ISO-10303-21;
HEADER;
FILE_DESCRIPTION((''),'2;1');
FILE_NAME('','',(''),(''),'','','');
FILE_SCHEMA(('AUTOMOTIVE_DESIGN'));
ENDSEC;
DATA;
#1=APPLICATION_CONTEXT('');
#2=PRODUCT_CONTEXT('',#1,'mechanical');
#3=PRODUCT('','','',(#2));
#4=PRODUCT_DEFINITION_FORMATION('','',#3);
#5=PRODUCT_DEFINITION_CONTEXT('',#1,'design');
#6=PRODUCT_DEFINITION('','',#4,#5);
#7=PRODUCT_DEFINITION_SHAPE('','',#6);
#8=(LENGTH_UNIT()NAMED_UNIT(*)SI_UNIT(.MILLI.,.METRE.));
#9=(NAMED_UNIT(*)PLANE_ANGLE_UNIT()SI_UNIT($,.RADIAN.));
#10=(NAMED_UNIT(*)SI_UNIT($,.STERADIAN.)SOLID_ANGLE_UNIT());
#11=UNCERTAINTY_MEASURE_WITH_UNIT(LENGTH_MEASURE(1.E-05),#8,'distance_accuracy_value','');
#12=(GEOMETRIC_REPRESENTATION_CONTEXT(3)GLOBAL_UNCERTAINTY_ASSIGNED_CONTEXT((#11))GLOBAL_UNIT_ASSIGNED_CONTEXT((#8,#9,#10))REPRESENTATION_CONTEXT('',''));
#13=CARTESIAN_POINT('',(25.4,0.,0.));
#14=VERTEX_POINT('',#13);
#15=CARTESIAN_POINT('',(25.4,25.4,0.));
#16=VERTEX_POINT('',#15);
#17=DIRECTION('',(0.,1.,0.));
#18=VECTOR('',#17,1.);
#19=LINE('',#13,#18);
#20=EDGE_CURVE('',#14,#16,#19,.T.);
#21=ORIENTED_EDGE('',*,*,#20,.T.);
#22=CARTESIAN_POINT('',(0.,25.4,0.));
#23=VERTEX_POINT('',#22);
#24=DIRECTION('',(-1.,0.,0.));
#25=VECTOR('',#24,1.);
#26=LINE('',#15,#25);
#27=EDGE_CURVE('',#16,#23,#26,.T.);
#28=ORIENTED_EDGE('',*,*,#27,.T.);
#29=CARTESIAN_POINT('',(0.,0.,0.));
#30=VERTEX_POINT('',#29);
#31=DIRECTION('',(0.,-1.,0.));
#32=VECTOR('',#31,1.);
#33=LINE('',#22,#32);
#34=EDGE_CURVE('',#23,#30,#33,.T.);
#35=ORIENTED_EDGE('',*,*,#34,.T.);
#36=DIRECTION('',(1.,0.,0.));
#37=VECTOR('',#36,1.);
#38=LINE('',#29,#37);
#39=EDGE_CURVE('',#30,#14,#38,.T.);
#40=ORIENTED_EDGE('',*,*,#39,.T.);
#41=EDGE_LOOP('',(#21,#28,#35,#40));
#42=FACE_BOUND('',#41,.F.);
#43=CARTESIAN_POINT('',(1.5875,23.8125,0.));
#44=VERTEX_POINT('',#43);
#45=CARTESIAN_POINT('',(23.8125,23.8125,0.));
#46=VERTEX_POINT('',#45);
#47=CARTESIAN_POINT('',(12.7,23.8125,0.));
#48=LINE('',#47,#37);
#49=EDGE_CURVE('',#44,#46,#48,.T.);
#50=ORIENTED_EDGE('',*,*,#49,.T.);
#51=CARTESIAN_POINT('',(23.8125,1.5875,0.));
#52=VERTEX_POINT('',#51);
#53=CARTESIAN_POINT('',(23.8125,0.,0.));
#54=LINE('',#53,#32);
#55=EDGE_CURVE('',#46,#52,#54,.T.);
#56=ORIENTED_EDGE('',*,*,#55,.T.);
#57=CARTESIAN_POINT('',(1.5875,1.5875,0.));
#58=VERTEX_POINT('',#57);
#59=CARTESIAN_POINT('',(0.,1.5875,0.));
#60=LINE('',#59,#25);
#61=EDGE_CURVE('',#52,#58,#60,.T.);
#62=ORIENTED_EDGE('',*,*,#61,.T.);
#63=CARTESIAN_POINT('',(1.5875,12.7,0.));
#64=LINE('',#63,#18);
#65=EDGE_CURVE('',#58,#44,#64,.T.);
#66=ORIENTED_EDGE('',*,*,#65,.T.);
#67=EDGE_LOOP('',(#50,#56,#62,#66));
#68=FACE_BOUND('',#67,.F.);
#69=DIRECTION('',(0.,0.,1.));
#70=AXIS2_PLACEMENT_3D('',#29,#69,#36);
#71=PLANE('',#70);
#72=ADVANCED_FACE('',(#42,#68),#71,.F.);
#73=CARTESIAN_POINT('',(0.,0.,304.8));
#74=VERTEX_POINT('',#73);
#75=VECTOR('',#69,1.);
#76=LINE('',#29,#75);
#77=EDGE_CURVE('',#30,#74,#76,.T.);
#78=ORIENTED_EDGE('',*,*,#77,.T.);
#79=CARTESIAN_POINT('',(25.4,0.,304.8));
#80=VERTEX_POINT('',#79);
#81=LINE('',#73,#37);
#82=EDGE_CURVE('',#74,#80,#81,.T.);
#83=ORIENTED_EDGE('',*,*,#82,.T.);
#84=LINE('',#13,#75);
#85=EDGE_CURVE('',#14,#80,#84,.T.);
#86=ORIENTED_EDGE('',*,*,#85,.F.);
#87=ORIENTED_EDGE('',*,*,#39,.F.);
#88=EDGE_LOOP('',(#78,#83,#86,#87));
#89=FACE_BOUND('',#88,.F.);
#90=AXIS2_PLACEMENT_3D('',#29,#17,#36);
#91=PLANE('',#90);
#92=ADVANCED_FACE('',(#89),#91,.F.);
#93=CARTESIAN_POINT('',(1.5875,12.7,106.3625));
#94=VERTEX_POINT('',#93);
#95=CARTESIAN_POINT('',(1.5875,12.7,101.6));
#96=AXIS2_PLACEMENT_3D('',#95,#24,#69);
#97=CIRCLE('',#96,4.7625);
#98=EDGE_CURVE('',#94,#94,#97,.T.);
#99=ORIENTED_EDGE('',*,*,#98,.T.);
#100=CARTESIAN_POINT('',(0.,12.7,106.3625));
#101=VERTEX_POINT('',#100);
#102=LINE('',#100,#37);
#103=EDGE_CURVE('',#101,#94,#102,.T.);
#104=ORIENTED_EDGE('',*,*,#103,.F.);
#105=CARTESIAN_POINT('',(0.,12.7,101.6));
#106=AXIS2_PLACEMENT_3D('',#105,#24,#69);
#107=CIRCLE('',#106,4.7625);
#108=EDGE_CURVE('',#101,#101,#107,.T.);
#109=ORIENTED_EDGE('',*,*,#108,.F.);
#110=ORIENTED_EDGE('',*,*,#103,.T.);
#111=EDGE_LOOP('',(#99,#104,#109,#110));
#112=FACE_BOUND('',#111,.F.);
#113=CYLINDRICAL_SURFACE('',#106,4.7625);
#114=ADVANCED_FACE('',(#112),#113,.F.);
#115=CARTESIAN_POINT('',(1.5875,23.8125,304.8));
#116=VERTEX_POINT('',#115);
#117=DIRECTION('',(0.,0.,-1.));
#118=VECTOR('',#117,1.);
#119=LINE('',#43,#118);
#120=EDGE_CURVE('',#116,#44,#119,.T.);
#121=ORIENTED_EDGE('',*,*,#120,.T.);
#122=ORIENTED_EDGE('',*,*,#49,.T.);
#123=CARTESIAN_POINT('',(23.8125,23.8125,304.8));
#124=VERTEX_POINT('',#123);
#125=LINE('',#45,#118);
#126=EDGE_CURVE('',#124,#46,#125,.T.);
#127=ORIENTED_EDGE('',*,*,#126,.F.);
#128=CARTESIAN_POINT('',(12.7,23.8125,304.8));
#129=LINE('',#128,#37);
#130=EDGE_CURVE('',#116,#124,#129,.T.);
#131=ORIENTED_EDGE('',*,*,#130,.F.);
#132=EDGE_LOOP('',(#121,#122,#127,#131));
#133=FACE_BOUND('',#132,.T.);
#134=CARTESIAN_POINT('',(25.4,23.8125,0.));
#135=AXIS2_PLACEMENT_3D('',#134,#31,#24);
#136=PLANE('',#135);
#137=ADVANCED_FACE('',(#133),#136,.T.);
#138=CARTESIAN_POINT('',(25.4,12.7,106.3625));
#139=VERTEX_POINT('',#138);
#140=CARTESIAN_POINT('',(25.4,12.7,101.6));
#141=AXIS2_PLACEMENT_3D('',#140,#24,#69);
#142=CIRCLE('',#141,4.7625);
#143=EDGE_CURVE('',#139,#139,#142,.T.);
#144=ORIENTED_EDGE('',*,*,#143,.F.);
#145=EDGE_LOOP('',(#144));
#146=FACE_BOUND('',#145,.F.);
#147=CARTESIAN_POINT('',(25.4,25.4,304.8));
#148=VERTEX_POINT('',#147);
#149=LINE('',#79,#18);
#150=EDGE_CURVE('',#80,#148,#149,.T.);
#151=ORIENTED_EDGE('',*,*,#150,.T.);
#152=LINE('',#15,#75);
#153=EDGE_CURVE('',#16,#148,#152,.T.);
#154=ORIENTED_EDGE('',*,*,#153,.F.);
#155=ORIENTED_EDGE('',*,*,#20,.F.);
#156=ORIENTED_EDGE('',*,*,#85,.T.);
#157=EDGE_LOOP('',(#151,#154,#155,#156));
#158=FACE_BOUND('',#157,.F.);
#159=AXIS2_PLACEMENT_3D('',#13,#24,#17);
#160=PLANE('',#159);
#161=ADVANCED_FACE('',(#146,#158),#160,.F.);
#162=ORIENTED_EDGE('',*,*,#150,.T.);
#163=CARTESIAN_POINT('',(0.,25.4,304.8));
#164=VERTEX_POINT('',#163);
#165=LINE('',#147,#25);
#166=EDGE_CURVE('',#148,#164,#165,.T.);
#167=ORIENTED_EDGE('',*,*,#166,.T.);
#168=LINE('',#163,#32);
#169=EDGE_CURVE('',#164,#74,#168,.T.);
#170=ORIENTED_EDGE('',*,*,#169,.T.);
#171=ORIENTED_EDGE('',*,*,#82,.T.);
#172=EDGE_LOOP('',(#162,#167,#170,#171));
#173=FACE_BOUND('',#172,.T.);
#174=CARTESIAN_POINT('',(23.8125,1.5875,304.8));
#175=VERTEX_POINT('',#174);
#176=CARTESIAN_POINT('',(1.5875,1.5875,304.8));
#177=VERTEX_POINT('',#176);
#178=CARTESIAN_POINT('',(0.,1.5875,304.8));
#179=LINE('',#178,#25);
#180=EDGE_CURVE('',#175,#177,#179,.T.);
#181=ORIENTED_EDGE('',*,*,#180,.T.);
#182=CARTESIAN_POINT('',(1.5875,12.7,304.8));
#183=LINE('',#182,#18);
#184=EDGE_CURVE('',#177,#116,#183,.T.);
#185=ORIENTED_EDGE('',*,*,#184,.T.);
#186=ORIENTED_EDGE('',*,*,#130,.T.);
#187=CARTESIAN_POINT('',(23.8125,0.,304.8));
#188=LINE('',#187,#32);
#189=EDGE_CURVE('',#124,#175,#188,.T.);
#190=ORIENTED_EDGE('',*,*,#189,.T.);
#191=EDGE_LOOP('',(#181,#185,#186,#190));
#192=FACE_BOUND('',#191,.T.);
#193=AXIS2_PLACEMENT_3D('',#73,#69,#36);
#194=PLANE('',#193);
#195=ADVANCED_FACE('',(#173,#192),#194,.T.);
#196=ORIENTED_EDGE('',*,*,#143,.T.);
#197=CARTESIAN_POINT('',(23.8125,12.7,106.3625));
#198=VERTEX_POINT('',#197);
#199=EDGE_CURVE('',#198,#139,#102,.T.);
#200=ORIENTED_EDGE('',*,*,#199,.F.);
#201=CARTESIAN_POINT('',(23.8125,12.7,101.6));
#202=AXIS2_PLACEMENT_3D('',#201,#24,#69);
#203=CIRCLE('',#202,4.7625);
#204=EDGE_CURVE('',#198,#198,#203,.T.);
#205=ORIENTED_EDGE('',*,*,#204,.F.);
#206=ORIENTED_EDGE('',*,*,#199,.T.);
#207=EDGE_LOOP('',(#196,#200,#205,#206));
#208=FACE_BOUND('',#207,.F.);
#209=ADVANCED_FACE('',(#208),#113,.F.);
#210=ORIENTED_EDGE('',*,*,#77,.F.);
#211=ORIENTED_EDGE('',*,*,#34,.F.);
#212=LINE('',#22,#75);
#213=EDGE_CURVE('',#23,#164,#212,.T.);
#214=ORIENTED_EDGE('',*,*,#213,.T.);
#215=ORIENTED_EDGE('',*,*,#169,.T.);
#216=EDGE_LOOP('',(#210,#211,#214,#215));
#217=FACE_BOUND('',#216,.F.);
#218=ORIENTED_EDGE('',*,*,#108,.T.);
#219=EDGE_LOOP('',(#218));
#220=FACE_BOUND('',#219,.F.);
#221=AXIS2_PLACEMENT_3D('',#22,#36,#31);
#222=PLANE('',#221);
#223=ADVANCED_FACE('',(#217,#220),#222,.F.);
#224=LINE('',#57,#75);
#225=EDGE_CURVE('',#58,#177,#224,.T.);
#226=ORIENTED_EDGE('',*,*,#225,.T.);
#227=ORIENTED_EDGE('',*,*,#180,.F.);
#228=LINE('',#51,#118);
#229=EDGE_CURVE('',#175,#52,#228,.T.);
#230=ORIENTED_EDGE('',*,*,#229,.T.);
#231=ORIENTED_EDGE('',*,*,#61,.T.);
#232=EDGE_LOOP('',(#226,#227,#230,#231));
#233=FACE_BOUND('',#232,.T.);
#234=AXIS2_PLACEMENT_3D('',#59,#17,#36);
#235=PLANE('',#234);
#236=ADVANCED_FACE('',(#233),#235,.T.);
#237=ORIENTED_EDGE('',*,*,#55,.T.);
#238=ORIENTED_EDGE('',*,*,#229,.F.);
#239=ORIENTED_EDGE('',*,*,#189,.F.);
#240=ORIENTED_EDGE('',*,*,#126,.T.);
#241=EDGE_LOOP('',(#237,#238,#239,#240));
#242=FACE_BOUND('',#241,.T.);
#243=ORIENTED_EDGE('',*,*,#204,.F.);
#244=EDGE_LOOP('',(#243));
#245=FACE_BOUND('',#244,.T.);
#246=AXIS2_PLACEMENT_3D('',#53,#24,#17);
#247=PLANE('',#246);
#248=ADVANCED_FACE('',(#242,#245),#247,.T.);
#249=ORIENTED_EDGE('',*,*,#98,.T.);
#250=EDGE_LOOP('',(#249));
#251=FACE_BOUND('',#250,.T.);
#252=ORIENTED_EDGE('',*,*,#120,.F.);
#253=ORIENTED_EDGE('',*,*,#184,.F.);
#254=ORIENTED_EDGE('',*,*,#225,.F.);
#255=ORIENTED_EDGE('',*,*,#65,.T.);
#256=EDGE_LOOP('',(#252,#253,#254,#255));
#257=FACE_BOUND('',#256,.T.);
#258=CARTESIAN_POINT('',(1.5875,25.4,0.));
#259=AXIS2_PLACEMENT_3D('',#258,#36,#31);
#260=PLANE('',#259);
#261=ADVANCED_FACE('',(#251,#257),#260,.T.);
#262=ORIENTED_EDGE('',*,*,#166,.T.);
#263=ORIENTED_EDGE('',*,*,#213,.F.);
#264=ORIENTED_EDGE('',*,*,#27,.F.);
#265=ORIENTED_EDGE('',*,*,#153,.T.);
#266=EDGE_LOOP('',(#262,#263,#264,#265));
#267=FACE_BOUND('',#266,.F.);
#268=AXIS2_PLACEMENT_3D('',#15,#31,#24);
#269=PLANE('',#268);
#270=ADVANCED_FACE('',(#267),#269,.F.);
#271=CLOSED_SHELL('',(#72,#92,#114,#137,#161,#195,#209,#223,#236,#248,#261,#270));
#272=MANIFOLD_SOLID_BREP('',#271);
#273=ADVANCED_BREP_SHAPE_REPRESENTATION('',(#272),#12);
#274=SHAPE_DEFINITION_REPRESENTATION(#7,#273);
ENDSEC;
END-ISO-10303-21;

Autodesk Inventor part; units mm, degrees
ref_plane "YZ Plane" through (0, 0, 0) normal (1, 0, 0) x (0, 1, 0)
ref_plane "XZ Plane" through (0, 0, 0) normal (0, 1, 0) x (-1, 0, 0)
ref_plane "XY Plane" through (0, 0, 0) normal (0, 0, 1) x (1, 0, 0)
sketch "Sketch1" plane through (0, 0, 0) normal (0, 0, 1) x (1, 0, 0)
  line L0 (0, 0) -> (25.4, 0)
  line L1 (25.4, 0) -> (25.4, 25.4)
  line L2 (25.4, 25.4) -> (0, 25.4)
  line L3 (0, 25.4) -> (0, 0)
  dimension "d0" = 25.4
  dimension "d1" = 25.4
extrude "Extrusion1" add sketch "Sketch1" along normal blind 304.8
shell "Shell1" thickness 1.5875 removed faces 2 at (8.4667, 16.9333, 0) at (8.4667, 16.9333, 304.8)
sketch "Sketch2" plane through (0, 0, 0) normal (-1, 0, 0) x (0, 0, 1)
  line L0 (304.8, 0) -> (304.8, 25.4) projected
  line L1 (0, 0) -> (304.8, 0) projected
  circle A0 centre (101.6, 12.7) radius 4.7625
  dimension "d5" = 12.7
  dimension "d6" = 203.2
  dimension "d9" = 9.525
extrude "Extrusion2" cut sketch "Sketch2" against normal through all
properties part number "FrontRearRail" material "Aluminum-6061"
